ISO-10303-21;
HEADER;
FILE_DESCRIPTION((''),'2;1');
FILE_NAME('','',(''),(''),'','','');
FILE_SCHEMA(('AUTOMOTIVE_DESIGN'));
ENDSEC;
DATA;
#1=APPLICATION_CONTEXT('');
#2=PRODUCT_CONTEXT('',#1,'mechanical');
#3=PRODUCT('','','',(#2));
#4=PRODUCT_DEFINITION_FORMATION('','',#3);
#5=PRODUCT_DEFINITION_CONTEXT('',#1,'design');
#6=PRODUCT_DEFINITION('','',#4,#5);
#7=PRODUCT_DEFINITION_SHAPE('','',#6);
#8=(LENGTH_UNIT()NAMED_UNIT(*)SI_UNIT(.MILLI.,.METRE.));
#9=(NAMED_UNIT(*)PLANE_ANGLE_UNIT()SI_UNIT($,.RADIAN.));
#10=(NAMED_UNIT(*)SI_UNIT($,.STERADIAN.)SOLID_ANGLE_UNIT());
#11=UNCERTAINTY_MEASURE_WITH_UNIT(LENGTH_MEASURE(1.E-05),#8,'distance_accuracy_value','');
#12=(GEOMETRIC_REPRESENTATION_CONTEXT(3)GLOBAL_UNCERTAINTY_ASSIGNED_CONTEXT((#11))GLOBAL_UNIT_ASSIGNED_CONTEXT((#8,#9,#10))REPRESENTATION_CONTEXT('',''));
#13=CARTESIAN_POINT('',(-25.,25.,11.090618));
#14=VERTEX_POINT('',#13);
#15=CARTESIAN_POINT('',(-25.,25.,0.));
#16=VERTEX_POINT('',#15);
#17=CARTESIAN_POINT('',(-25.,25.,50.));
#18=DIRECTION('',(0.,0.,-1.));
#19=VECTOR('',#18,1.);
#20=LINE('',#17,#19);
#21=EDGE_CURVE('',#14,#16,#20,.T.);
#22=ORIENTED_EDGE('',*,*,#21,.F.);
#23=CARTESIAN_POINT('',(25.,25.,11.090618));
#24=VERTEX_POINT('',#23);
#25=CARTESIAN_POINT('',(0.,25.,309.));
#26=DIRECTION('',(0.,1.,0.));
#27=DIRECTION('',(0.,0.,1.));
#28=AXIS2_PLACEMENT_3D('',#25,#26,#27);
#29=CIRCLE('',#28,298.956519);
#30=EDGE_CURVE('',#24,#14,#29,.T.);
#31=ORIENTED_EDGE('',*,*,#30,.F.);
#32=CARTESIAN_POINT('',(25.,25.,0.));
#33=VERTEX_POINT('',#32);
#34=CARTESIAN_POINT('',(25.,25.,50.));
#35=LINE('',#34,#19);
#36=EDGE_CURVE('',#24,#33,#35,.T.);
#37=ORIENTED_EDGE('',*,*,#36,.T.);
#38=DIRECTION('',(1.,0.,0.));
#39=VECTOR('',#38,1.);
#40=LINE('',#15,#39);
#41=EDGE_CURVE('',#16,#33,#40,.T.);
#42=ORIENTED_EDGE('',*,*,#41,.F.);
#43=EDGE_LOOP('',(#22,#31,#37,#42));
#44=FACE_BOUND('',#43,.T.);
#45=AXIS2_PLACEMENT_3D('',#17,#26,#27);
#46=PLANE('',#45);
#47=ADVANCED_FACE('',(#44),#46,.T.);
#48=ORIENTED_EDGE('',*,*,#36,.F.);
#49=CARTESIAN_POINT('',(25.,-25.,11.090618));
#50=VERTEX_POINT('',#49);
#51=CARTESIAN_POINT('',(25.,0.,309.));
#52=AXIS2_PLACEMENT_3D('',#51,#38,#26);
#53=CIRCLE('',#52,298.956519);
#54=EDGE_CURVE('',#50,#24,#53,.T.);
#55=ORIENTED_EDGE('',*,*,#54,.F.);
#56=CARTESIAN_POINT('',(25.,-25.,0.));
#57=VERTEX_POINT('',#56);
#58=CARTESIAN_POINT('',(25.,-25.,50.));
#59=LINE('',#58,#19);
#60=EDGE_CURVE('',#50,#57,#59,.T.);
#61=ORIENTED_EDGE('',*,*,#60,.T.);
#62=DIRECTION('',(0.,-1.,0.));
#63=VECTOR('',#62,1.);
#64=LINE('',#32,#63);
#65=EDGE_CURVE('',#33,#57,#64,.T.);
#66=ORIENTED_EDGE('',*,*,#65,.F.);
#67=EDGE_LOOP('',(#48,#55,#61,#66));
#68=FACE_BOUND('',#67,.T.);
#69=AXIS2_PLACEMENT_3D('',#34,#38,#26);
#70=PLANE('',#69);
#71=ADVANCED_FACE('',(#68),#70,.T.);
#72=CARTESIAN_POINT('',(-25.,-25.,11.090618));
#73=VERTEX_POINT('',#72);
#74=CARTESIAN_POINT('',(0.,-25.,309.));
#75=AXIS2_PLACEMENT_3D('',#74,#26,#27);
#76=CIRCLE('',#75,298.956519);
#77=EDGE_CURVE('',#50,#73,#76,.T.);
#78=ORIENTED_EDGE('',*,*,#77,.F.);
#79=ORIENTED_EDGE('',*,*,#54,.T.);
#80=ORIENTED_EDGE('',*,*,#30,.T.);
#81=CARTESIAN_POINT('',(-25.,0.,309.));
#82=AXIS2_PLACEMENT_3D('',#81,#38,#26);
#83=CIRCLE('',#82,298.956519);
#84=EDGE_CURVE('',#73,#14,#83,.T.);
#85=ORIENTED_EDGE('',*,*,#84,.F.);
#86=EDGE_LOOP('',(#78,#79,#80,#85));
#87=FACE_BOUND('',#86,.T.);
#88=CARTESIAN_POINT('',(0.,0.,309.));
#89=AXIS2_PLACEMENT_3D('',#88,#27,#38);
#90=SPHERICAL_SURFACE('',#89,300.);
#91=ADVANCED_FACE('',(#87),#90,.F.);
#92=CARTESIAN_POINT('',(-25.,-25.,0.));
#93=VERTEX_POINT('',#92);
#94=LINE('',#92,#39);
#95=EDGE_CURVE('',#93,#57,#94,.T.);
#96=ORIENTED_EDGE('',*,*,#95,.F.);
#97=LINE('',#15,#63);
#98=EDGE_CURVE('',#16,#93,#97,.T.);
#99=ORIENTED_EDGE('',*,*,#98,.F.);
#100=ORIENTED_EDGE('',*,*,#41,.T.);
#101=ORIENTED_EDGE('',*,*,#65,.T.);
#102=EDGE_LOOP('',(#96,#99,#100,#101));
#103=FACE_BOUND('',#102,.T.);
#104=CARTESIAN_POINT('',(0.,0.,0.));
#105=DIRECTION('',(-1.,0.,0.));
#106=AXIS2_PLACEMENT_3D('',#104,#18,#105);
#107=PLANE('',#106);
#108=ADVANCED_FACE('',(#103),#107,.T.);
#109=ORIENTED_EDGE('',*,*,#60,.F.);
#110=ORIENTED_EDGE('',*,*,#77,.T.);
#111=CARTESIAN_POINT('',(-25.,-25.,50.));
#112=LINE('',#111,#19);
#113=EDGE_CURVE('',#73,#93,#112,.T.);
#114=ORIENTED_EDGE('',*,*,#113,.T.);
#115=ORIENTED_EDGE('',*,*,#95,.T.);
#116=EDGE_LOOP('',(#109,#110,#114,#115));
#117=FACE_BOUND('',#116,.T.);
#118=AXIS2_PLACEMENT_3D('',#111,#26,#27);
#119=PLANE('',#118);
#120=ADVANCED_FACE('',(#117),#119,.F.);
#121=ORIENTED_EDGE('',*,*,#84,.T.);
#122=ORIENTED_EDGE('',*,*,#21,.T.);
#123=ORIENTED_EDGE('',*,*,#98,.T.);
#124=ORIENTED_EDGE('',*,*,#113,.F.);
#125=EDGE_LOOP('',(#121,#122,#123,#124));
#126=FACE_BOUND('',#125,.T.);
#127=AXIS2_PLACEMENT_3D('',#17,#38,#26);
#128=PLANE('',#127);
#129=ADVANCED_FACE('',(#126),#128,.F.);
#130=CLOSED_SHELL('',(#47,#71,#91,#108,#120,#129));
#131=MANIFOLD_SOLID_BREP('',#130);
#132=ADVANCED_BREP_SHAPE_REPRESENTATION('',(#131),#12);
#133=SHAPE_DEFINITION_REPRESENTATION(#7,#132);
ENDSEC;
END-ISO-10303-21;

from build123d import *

# Parameters (mm, degrees)
SKETCH_1_W      = 50
SKETCH_1_H      = 50
EXTRUDE_1_DEPTH = 50


with BuildPart() as part:
    # 草图1 → 凸台-拉伸1 (new body)
    with BuildSketch(Plane.XY):
        Rectangle(SKETCH_1_W, SKETCH_1_H)
    extrude(amount=EXTRUDE_1_DEPTH)

    # 草图2 → 切除-旋转2 (revolve, cut)
    with BuildSketch(Plane(origin=(0, 0, 0), x_dir=(1, 0, 0), z_dir=(0, 1, 0))):
        with BuildLine():
            Line((292.453638544, -242.13544061), (0, -242.13544061))
            Line((0, -242.13544061), (0, -9))
            ThreePointArc((0, -9), (187.003518928, -74.41593424), (292.453638544, -242.13544061))
        make_face()
    revolve(axis=Axis((0, 0, 242.13544061), (0, 0, -1)), mode=Mode.SUBTRACT)


solid = part.part
